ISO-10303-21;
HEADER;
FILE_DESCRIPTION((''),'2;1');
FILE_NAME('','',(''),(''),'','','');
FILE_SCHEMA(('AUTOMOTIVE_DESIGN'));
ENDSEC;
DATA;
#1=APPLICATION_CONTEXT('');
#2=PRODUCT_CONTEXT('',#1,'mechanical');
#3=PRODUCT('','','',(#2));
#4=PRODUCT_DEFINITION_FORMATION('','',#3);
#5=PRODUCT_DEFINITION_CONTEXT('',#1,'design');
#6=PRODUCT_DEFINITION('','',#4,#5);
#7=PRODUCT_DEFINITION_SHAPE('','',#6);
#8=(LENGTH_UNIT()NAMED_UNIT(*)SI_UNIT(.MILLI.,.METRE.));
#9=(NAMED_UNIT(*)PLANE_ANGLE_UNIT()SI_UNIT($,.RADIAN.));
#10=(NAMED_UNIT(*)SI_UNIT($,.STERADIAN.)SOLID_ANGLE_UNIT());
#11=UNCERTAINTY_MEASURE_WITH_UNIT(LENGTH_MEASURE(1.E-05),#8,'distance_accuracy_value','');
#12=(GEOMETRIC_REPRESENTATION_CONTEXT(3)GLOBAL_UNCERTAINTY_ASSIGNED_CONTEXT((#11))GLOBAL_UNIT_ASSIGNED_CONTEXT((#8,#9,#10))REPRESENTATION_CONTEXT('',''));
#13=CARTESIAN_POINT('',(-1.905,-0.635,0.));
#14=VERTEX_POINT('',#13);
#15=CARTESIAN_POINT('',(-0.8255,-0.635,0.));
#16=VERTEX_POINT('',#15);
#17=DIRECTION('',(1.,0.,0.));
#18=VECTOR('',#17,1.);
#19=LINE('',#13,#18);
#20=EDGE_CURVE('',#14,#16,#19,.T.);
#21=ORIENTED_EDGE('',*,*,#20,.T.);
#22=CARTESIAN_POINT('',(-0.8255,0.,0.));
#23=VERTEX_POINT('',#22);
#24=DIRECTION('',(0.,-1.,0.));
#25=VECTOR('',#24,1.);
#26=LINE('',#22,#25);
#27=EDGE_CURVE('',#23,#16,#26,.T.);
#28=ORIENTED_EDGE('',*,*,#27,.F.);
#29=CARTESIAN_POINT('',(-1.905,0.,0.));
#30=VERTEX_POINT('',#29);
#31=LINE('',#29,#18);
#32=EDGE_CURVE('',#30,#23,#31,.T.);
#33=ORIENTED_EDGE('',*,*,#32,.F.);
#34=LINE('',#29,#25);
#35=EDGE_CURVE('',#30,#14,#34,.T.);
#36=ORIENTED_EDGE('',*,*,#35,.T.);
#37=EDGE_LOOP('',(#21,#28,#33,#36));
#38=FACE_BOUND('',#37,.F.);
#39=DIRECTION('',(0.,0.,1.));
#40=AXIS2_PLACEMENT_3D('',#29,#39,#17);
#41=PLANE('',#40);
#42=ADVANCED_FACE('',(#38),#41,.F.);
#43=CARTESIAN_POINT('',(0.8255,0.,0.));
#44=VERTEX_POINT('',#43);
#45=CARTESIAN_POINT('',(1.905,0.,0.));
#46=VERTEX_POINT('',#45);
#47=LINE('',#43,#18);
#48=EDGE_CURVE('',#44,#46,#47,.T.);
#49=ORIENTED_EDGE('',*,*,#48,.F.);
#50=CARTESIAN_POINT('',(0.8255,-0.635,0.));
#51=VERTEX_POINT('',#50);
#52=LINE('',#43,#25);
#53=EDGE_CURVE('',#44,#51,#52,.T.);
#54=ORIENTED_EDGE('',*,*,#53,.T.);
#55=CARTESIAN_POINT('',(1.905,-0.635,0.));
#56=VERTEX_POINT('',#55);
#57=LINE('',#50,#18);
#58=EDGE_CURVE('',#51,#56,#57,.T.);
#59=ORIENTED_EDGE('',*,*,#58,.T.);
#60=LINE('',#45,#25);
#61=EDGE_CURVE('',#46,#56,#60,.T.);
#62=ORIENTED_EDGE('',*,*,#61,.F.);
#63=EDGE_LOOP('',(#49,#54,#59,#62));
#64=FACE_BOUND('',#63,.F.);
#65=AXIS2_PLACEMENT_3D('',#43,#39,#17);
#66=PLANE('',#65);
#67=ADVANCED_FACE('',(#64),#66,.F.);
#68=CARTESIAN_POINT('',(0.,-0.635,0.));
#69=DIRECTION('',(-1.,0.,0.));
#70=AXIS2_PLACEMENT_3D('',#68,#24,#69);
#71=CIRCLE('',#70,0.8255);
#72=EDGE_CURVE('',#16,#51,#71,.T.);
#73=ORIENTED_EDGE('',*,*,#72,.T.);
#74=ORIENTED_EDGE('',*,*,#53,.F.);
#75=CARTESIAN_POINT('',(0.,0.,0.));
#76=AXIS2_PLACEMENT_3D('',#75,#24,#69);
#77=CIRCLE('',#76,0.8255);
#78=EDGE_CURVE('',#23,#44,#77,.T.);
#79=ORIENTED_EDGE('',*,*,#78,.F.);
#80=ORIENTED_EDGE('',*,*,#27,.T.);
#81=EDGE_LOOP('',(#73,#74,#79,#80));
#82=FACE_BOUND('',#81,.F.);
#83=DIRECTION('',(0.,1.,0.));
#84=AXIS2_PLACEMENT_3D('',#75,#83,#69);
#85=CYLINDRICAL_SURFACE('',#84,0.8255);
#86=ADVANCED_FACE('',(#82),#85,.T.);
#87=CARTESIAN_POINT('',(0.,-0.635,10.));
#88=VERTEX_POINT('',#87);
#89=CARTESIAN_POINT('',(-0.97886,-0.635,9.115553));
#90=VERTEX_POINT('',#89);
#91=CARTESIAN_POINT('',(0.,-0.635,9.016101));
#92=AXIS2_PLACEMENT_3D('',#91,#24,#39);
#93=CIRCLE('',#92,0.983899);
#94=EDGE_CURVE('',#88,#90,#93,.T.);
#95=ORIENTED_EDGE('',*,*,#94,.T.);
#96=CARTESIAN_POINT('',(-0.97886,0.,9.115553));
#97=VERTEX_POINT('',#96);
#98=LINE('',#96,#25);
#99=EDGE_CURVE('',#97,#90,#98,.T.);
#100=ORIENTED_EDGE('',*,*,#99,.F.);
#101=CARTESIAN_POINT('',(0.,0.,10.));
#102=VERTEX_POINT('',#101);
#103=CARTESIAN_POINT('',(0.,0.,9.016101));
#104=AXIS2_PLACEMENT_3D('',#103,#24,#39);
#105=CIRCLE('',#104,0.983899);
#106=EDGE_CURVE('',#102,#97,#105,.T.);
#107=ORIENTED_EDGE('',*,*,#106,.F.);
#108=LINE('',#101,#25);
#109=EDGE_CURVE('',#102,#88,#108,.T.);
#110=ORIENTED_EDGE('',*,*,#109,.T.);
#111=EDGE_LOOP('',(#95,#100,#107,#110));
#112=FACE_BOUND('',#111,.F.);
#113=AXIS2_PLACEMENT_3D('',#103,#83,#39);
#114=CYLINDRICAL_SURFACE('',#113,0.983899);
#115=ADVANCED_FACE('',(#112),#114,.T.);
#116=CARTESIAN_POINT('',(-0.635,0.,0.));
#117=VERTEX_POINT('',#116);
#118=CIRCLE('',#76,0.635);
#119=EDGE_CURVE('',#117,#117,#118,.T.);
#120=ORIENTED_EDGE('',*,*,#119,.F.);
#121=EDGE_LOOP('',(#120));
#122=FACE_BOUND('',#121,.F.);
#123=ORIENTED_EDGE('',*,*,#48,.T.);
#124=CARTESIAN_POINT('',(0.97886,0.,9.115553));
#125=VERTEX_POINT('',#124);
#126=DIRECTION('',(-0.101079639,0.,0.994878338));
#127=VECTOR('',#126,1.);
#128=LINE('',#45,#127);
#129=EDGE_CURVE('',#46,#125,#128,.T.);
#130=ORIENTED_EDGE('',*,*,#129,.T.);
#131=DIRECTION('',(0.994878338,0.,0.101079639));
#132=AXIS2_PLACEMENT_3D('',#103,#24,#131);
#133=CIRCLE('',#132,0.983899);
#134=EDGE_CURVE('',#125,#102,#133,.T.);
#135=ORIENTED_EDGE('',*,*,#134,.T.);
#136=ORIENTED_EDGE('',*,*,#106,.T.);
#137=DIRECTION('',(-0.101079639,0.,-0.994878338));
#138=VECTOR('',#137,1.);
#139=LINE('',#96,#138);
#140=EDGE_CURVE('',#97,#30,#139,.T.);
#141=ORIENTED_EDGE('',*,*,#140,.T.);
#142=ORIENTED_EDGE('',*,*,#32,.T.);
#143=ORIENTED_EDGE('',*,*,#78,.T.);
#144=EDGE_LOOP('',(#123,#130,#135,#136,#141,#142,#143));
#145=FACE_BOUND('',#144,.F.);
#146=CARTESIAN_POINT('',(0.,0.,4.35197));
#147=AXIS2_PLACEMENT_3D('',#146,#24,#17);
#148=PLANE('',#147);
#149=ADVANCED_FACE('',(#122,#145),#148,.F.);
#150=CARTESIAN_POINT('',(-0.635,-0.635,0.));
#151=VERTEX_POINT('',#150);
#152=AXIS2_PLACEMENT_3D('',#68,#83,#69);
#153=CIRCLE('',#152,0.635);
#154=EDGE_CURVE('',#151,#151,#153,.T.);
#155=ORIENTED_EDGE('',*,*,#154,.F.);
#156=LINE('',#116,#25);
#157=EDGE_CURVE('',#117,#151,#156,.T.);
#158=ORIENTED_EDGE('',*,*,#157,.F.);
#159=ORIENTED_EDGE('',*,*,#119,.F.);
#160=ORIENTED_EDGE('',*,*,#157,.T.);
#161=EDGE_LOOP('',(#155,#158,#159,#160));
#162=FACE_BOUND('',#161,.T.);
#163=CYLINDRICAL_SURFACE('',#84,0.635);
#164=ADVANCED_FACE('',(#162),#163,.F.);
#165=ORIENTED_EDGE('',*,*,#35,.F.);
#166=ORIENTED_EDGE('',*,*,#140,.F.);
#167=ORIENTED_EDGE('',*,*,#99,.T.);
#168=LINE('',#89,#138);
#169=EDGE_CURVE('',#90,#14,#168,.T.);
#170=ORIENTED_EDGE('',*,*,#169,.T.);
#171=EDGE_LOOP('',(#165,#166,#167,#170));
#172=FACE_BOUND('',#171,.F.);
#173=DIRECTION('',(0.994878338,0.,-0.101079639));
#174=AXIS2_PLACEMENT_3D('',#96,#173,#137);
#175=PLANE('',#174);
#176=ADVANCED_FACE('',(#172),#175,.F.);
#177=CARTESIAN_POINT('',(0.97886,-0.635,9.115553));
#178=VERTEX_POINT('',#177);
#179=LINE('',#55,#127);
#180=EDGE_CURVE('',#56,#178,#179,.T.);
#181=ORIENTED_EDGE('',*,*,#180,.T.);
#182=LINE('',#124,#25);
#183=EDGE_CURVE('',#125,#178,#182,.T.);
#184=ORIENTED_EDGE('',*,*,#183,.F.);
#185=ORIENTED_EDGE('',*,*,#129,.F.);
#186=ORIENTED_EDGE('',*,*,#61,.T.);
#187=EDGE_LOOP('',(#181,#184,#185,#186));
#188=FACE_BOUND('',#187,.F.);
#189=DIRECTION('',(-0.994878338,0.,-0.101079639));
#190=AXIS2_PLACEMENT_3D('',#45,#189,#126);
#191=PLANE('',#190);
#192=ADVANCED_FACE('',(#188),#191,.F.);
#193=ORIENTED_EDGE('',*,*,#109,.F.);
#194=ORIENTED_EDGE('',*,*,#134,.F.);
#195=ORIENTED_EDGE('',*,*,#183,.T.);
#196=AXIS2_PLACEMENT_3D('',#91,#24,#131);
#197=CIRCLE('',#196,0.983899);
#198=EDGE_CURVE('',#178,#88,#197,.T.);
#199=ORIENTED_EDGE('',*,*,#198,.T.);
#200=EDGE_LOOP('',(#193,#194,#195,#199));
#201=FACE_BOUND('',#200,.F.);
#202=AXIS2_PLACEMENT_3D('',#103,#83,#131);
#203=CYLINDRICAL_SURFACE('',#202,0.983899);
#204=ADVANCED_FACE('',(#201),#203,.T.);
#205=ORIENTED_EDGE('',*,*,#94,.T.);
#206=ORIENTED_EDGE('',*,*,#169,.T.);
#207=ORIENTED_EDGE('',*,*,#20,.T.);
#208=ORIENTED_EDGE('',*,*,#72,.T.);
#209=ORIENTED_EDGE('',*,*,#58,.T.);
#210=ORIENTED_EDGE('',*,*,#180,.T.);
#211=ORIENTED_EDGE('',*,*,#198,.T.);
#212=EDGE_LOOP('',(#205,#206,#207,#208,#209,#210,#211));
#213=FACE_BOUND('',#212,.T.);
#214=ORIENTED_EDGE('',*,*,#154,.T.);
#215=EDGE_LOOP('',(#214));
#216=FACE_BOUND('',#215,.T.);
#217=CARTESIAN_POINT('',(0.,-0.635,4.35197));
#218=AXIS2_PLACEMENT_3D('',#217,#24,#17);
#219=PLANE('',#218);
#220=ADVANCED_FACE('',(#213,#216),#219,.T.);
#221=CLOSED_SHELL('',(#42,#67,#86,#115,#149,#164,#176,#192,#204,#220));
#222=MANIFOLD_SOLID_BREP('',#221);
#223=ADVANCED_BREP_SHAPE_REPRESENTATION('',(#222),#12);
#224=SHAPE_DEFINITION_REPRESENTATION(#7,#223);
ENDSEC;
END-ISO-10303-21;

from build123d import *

# Parameters (mm, degrees)
F1_DEPTH = 0.635
F3_DEPTH = 25.4


with BuildPart() as f1:
    # F0 (on Front) → F1 (new body)
    with BuildSketch(Plane.XZ):
        with BuildLine():
            ThreePointArc((-0.8255, 0), (0, 0.8255), (0.8255, 0))
            Line((0.8255, 0), (1.905, 0))
            Line((1.905, 0), (0.9788597992, 9.1155531579))
            ThreePointArc((0.9788597992, 9.1155531579), (0.6596235144, 9.7461380267), (0, 10))
            ThreePointArc((0, 10), (-0.6596235144, 9.7461380267), (-0.9788597992, 9.1155531579))
            Line((-0.9788597992, 9.1155531579), (-1.905, 0))
            Line((-1.905, 0), (-0.8255, 0))
        make_face()
        with BuildLine():
            ThreePointArc((-0.8255, 0), (0, -0.8255), (0.8255, 0))
            Line((0.8255, 0), (-0.8255, 0))
        make_face()
        with BuildLine():
            Line((-0.8255, 0), (0.8255, 0))
            ThreePointArc((0.8255, 0), (0, 0.8255), (-0.8255, 0))
        make_face()
    extrude(amount=F1_DEPTH)

    # F2 (on face) → F3 (cut)
    with BuildSketch(Plane.XZ):
        with BuildLine():
            Line((-0.635, 0), (0.635, 0))
            ThreePointArc((0.635, 0), (0, 0.635), (-0.635, 0))
        make_face()
        with BuildLine():
            ThreePointArc((-0.635, 0), (0, -0.635), (0.635, 0))
            Line((0.635, 0), (-0.635, 0))
        make_face()
    extrude(amount=F3_DEPTH, mode=Mode.SUBTRACT)


solid = f1.part
